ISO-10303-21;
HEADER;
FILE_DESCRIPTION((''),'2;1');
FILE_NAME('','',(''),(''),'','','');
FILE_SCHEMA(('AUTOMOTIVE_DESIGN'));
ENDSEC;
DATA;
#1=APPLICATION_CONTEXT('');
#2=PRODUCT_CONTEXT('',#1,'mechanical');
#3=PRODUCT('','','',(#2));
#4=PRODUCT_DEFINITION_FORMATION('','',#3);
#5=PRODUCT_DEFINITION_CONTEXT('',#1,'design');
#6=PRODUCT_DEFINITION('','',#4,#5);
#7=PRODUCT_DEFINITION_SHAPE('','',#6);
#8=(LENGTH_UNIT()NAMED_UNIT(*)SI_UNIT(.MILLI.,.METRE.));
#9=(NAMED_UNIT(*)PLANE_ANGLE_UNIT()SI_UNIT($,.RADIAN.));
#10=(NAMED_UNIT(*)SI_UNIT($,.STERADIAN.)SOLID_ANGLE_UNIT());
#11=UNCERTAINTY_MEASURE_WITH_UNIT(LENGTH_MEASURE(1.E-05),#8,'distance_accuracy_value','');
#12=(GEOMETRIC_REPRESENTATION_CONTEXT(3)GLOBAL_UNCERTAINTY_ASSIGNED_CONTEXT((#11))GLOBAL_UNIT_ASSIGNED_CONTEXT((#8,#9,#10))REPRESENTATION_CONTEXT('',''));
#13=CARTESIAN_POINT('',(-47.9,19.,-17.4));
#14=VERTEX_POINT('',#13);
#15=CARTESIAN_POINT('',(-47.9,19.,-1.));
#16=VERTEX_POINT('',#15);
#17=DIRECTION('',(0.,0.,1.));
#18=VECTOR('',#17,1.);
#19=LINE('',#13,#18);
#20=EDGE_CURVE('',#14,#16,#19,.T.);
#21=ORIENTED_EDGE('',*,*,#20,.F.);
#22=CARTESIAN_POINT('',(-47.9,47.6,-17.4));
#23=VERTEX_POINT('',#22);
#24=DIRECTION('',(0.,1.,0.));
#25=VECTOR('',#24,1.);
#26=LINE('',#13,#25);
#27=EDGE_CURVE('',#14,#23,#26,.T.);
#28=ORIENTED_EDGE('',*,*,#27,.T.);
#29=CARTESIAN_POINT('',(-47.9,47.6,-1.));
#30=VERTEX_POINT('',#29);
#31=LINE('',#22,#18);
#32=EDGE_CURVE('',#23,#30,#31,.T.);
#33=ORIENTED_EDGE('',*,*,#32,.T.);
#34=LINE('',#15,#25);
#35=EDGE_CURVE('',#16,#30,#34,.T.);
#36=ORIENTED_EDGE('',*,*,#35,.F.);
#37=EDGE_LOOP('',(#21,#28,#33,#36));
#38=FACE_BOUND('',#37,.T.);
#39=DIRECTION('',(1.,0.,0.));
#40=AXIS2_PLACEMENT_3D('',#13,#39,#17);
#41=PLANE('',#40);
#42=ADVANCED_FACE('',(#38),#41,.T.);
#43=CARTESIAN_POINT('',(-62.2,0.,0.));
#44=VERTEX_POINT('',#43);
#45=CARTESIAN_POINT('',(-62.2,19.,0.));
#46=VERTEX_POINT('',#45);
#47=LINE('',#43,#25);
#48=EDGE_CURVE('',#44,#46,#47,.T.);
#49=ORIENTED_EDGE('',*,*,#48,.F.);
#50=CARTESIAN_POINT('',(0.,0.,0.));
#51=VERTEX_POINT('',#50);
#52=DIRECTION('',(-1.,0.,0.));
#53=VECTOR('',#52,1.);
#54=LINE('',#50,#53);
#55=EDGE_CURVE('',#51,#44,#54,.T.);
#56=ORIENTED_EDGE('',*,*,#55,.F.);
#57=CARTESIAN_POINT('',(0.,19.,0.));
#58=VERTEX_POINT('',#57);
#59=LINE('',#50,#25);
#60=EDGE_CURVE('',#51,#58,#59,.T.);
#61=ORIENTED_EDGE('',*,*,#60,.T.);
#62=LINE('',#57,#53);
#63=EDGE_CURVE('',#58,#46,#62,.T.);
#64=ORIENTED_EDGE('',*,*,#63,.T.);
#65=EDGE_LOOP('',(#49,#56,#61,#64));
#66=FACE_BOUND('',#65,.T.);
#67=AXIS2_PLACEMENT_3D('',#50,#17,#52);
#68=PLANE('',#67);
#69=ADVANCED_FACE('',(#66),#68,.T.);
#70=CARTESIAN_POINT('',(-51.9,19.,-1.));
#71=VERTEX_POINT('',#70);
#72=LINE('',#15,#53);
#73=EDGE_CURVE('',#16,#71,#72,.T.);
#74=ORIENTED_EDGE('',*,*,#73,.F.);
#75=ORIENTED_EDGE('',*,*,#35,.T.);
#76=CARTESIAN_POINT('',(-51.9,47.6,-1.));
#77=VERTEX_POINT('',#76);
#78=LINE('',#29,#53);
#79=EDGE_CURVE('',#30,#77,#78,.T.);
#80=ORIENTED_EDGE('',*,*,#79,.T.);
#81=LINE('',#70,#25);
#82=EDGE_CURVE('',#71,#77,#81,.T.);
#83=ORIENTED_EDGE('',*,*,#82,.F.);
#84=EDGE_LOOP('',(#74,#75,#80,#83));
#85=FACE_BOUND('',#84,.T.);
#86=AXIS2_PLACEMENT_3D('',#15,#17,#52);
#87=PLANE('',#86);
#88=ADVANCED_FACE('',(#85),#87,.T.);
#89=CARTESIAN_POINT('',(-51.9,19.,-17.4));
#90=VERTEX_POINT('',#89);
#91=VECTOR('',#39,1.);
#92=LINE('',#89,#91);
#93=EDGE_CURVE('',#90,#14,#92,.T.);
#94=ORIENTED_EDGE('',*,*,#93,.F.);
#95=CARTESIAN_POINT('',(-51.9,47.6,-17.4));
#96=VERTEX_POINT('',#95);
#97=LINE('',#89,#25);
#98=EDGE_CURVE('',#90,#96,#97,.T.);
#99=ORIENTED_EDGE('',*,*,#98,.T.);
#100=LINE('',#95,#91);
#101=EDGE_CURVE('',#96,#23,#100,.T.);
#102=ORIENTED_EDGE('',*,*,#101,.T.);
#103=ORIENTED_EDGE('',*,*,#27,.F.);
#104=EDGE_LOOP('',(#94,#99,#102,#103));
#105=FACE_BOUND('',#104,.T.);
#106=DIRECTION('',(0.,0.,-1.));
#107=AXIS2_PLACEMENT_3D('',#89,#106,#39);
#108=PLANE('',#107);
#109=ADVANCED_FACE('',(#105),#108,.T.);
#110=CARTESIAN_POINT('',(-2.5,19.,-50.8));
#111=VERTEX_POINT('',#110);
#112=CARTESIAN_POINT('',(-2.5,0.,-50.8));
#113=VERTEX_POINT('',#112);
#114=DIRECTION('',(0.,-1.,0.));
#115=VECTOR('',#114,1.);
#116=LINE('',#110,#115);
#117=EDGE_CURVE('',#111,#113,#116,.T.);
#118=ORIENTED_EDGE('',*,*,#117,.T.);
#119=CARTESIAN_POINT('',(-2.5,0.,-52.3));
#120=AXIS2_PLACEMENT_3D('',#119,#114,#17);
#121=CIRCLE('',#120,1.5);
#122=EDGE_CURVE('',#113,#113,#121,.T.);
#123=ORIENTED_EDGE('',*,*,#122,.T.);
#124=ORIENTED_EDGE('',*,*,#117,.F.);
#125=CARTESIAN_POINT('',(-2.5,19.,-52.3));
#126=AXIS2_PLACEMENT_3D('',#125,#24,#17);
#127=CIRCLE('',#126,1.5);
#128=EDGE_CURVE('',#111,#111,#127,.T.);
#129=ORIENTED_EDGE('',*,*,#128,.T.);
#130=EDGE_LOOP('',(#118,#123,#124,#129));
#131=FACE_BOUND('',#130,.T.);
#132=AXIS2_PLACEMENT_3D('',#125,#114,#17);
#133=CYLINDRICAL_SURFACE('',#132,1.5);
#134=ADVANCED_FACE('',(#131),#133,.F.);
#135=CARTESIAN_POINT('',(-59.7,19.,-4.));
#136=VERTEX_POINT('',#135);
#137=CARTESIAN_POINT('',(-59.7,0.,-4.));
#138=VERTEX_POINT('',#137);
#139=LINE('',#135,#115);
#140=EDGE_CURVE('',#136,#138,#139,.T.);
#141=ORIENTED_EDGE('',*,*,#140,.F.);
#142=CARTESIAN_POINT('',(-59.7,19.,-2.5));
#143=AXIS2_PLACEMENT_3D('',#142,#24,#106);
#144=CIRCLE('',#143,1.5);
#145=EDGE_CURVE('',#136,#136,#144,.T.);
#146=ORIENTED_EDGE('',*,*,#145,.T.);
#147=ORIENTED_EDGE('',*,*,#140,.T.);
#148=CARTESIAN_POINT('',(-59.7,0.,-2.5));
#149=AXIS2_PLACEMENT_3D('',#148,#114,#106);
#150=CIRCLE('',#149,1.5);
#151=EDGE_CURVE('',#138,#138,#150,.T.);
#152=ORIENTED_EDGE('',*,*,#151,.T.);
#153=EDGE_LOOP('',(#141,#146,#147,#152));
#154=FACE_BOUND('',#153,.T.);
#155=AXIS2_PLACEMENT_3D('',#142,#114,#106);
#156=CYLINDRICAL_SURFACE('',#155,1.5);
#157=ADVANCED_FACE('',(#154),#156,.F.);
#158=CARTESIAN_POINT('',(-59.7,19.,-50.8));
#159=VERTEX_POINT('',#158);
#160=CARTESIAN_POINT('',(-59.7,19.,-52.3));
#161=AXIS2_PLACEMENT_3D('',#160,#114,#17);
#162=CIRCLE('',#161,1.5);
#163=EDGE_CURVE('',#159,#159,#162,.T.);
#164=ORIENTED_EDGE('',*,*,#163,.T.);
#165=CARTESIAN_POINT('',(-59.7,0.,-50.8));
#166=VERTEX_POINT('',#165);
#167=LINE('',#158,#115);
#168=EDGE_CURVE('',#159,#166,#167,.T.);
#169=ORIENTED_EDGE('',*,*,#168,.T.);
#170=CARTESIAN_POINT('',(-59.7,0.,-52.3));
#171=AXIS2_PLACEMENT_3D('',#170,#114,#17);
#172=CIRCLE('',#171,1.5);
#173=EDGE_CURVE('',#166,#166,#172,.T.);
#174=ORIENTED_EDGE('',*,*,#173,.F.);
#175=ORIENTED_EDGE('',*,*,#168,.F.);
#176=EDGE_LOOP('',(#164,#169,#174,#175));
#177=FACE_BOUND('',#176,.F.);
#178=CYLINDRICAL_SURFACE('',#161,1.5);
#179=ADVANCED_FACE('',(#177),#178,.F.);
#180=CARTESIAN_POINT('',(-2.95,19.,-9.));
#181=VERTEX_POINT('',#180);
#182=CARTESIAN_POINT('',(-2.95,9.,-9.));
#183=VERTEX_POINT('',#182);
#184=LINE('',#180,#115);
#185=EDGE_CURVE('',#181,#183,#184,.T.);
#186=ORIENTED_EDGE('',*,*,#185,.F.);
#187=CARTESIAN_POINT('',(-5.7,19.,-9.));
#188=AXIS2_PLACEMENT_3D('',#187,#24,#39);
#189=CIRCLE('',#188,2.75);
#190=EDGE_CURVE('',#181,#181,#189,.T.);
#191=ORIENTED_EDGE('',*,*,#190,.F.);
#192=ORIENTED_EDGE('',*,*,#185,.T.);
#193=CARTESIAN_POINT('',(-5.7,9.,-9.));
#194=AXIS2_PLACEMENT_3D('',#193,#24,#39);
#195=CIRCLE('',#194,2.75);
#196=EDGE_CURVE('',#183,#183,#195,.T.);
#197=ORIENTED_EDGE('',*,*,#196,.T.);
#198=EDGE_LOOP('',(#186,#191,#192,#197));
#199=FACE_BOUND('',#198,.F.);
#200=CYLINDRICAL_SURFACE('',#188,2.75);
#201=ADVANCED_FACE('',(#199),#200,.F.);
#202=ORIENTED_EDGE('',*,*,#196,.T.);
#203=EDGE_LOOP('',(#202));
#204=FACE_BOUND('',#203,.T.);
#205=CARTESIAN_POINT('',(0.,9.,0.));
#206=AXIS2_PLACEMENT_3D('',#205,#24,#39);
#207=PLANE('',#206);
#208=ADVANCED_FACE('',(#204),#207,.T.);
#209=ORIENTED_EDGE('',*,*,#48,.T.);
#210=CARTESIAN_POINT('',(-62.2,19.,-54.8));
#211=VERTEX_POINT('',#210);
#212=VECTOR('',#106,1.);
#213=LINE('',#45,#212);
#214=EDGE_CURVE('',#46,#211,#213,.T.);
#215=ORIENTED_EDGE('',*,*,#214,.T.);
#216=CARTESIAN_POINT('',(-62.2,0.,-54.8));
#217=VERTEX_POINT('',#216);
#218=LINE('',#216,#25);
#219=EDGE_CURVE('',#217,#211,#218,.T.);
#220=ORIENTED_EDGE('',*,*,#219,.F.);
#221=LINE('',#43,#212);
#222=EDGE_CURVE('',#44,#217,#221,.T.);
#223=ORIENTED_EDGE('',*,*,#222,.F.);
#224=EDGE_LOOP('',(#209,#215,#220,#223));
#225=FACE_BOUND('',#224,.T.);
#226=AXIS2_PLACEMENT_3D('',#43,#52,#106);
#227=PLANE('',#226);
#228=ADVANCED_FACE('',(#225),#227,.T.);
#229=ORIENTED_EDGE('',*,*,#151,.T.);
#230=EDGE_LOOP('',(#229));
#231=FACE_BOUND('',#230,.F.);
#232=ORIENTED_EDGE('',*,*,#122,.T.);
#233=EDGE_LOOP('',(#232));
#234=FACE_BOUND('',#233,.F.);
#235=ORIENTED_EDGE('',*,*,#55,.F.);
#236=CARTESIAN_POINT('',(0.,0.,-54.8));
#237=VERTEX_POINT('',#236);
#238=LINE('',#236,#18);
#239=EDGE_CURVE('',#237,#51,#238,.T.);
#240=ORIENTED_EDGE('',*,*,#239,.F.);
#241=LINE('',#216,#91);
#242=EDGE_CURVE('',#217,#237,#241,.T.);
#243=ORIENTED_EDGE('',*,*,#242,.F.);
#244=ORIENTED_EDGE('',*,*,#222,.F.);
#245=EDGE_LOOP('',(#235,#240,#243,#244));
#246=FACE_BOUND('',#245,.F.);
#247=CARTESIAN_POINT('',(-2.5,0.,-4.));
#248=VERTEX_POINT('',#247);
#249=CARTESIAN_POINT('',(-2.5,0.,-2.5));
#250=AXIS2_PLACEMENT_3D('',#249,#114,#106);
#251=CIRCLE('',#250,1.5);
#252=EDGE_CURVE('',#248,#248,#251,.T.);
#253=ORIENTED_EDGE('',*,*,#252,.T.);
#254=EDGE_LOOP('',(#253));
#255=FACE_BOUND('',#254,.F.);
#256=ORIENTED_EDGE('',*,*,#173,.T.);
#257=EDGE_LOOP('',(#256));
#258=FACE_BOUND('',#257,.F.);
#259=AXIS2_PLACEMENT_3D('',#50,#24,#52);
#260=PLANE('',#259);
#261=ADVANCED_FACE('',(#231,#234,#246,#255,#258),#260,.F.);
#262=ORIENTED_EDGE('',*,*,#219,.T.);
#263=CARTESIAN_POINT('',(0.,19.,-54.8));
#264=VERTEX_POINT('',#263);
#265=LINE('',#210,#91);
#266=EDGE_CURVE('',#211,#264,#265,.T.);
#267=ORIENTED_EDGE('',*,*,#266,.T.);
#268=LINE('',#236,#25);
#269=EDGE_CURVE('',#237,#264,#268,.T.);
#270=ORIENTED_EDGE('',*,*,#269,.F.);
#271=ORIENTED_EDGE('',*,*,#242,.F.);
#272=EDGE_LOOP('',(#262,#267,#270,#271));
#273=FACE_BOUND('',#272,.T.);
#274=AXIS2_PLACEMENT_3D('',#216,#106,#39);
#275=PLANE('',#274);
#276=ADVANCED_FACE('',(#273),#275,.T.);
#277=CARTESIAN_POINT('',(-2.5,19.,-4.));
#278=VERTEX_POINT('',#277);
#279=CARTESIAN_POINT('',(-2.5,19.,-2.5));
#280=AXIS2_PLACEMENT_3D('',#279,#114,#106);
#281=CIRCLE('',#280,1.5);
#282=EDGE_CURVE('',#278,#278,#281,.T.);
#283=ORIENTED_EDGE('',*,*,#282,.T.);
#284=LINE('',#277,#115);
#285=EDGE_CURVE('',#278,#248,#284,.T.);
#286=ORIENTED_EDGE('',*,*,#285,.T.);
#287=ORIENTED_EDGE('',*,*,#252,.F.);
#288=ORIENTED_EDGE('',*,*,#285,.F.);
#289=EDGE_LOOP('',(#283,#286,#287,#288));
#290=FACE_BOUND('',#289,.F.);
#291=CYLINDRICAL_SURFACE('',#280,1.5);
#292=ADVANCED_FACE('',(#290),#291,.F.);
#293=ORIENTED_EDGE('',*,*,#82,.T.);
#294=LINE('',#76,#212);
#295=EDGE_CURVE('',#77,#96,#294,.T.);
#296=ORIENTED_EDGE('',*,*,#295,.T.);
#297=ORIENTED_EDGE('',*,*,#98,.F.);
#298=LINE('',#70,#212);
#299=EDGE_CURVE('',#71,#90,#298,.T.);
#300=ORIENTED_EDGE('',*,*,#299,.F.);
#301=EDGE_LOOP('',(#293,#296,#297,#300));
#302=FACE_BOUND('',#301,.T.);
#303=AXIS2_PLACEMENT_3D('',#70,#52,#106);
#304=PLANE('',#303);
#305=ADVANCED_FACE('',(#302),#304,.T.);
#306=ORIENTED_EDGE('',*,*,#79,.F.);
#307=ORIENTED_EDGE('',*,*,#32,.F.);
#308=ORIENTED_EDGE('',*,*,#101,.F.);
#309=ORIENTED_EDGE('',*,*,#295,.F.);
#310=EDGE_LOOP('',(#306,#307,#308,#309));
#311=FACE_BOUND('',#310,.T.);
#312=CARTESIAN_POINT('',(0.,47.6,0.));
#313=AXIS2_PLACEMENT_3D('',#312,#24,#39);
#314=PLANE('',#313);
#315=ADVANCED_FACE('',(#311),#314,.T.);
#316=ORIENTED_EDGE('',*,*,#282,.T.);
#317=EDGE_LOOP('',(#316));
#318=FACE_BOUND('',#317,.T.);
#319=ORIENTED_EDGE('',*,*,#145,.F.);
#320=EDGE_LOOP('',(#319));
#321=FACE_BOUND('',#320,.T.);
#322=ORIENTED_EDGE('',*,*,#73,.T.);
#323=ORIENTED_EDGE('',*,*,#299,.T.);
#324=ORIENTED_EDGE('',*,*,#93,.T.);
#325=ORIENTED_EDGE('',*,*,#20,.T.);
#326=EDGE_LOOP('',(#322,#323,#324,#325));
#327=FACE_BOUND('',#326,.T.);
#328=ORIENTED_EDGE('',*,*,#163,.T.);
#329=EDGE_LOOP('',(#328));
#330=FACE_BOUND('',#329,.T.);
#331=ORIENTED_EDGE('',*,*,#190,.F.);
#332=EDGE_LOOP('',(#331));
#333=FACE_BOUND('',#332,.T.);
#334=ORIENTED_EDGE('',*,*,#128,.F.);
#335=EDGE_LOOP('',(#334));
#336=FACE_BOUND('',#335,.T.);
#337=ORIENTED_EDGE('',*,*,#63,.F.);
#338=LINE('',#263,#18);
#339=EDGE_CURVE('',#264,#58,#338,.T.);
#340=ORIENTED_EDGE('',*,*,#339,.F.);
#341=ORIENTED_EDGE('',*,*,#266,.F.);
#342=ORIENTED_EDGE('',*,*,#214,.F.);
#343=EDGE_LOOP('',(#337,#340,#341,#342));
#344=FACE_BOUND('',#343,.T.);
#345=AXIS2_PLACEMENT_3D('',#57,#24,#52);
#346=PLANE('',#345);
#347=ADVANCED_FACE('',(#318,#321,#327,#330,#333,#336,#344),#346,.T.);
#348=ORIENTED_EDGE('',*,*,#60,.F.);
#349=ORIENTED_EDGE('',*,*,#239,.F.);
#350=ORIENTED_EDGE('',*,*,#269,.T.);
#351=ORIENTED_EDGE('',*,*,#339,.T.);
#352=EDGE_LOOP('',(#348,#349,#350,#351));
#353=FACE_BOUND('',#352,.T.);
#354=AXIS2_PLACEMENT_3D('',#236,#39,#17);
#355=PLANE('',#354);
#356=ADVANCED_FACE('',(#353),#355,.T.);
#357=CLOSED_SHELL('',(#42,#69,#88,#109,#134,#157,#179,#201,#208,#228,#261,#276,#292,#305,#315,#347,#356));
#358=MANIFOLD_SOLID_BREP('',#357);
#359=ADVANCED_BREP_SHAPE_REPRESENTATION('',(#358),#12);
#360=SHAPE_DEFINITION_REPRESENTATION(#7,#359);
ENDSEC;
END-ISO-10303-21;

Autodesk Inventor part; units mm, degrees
ref_plane "YZ Plane" through (0, 0, 0) normal (1, 0, 0) x (0, 1, 0)
ref_plane "XZ Plane" through (0, 0, 0) normal (0, 1, 0) x (-1, 0, 0)
ref_plane "XY Plane" through (0, 0, 0) normal (0, 0, 1) x (1, 0, 0)
sketch "Sketch1" plane through (0, 0, 0) normal (0, 1, 0) x (-1, 0, 0)
  line L0 (0, 0) -> (62.2, 0)
  line L1 (62.2, 0) -> (62.2, -54.8)
  line L2 (62.2, -54.8) -> (0, -54.8)
  line L3 (0, -54.8) -> (0, 0)
  dimension "d0" = 54.8
  dimension "d1" = 62.2
extrude "Extrusion1" add sketch "Sketch1" along normal blind 19
sketch "Sketch2" plane through (0, 19, 0) normal (0, 1, 0) x (1, 0, 0)
  line L0 (-62.2, 54.8) -> (-62.2, 0) projected
  line L1 (0, 54.8) -> (-62.2, 54.8) projected
  point P0 (0, 0)
  point P1 (-59.7, 52.3)
  dimension "d4" = 2.5
  dimension "d5" = 2.5
hole "Hole1" at (-59.7, 19, -52.3) direction (0, -1, 0) diameter 3 end through all
ref_plane "Work Plane1" through (-62.2, 0, -27.4) normal (0, 0, 1) x (1, 0, 0)
ref_plane "Work Plane2" through (-31.1, 0, 0) normal (1, 0, 0) x (0, 0, -1)
mirror "Mirror1" about plane through (-62.2, 0, -27.4) normal (0, 0, 1) of "Hole1"
mirror "Mirror2" about plane through (-31.1, 0, 0) normal (1, 0, 0) of "Hole1", "Mirror1"
sketch "Sketch3" plane through (0, 19, 0) normal (0, 1, 0) x (1, 0, 0)
  line L0 (-47.9, 1) -> (-51.9, 1)
  line L1 (-51.9, 1) -> (-51.9, 17.4)
  line L2 (-51.9, 17.4) -> (-47.9, 17.4)
  line L3 (-47.9, 17.4) -> (-47.9, 1)
  line L4 (-62.2, 0) -> (0, 0) projected
  line L5 (-62.2, 54.8) -> (-62.2, 0) projected
  dimension "d13" = 4
  dimension "d14" = 16.4
  dimension "d15" = 1
  dimension "d16" = 10.3
extrude "Extrusion2" add sketch "Sketch3" along normal blind 28.6
sketch "Sketch4" plane through (0, 19, 0) normal (0, 1, 0) x (1, 0, 0)
  circle A0 centre (-5.7, 9) radius 2.75
  line L0 (-62.2, 0) -> (0, 0) projected
  line L1 (0, 0) -> (0, 54.8) projected
  dimension "d19" = 5.5
  dimension "d20" = 9
  dimension "d21" = 5.7
extrude "Extrusion3" cut sketch "Sketch4" against normal blind 10
equation "\"d5\" = d4"
properties part number "board"
